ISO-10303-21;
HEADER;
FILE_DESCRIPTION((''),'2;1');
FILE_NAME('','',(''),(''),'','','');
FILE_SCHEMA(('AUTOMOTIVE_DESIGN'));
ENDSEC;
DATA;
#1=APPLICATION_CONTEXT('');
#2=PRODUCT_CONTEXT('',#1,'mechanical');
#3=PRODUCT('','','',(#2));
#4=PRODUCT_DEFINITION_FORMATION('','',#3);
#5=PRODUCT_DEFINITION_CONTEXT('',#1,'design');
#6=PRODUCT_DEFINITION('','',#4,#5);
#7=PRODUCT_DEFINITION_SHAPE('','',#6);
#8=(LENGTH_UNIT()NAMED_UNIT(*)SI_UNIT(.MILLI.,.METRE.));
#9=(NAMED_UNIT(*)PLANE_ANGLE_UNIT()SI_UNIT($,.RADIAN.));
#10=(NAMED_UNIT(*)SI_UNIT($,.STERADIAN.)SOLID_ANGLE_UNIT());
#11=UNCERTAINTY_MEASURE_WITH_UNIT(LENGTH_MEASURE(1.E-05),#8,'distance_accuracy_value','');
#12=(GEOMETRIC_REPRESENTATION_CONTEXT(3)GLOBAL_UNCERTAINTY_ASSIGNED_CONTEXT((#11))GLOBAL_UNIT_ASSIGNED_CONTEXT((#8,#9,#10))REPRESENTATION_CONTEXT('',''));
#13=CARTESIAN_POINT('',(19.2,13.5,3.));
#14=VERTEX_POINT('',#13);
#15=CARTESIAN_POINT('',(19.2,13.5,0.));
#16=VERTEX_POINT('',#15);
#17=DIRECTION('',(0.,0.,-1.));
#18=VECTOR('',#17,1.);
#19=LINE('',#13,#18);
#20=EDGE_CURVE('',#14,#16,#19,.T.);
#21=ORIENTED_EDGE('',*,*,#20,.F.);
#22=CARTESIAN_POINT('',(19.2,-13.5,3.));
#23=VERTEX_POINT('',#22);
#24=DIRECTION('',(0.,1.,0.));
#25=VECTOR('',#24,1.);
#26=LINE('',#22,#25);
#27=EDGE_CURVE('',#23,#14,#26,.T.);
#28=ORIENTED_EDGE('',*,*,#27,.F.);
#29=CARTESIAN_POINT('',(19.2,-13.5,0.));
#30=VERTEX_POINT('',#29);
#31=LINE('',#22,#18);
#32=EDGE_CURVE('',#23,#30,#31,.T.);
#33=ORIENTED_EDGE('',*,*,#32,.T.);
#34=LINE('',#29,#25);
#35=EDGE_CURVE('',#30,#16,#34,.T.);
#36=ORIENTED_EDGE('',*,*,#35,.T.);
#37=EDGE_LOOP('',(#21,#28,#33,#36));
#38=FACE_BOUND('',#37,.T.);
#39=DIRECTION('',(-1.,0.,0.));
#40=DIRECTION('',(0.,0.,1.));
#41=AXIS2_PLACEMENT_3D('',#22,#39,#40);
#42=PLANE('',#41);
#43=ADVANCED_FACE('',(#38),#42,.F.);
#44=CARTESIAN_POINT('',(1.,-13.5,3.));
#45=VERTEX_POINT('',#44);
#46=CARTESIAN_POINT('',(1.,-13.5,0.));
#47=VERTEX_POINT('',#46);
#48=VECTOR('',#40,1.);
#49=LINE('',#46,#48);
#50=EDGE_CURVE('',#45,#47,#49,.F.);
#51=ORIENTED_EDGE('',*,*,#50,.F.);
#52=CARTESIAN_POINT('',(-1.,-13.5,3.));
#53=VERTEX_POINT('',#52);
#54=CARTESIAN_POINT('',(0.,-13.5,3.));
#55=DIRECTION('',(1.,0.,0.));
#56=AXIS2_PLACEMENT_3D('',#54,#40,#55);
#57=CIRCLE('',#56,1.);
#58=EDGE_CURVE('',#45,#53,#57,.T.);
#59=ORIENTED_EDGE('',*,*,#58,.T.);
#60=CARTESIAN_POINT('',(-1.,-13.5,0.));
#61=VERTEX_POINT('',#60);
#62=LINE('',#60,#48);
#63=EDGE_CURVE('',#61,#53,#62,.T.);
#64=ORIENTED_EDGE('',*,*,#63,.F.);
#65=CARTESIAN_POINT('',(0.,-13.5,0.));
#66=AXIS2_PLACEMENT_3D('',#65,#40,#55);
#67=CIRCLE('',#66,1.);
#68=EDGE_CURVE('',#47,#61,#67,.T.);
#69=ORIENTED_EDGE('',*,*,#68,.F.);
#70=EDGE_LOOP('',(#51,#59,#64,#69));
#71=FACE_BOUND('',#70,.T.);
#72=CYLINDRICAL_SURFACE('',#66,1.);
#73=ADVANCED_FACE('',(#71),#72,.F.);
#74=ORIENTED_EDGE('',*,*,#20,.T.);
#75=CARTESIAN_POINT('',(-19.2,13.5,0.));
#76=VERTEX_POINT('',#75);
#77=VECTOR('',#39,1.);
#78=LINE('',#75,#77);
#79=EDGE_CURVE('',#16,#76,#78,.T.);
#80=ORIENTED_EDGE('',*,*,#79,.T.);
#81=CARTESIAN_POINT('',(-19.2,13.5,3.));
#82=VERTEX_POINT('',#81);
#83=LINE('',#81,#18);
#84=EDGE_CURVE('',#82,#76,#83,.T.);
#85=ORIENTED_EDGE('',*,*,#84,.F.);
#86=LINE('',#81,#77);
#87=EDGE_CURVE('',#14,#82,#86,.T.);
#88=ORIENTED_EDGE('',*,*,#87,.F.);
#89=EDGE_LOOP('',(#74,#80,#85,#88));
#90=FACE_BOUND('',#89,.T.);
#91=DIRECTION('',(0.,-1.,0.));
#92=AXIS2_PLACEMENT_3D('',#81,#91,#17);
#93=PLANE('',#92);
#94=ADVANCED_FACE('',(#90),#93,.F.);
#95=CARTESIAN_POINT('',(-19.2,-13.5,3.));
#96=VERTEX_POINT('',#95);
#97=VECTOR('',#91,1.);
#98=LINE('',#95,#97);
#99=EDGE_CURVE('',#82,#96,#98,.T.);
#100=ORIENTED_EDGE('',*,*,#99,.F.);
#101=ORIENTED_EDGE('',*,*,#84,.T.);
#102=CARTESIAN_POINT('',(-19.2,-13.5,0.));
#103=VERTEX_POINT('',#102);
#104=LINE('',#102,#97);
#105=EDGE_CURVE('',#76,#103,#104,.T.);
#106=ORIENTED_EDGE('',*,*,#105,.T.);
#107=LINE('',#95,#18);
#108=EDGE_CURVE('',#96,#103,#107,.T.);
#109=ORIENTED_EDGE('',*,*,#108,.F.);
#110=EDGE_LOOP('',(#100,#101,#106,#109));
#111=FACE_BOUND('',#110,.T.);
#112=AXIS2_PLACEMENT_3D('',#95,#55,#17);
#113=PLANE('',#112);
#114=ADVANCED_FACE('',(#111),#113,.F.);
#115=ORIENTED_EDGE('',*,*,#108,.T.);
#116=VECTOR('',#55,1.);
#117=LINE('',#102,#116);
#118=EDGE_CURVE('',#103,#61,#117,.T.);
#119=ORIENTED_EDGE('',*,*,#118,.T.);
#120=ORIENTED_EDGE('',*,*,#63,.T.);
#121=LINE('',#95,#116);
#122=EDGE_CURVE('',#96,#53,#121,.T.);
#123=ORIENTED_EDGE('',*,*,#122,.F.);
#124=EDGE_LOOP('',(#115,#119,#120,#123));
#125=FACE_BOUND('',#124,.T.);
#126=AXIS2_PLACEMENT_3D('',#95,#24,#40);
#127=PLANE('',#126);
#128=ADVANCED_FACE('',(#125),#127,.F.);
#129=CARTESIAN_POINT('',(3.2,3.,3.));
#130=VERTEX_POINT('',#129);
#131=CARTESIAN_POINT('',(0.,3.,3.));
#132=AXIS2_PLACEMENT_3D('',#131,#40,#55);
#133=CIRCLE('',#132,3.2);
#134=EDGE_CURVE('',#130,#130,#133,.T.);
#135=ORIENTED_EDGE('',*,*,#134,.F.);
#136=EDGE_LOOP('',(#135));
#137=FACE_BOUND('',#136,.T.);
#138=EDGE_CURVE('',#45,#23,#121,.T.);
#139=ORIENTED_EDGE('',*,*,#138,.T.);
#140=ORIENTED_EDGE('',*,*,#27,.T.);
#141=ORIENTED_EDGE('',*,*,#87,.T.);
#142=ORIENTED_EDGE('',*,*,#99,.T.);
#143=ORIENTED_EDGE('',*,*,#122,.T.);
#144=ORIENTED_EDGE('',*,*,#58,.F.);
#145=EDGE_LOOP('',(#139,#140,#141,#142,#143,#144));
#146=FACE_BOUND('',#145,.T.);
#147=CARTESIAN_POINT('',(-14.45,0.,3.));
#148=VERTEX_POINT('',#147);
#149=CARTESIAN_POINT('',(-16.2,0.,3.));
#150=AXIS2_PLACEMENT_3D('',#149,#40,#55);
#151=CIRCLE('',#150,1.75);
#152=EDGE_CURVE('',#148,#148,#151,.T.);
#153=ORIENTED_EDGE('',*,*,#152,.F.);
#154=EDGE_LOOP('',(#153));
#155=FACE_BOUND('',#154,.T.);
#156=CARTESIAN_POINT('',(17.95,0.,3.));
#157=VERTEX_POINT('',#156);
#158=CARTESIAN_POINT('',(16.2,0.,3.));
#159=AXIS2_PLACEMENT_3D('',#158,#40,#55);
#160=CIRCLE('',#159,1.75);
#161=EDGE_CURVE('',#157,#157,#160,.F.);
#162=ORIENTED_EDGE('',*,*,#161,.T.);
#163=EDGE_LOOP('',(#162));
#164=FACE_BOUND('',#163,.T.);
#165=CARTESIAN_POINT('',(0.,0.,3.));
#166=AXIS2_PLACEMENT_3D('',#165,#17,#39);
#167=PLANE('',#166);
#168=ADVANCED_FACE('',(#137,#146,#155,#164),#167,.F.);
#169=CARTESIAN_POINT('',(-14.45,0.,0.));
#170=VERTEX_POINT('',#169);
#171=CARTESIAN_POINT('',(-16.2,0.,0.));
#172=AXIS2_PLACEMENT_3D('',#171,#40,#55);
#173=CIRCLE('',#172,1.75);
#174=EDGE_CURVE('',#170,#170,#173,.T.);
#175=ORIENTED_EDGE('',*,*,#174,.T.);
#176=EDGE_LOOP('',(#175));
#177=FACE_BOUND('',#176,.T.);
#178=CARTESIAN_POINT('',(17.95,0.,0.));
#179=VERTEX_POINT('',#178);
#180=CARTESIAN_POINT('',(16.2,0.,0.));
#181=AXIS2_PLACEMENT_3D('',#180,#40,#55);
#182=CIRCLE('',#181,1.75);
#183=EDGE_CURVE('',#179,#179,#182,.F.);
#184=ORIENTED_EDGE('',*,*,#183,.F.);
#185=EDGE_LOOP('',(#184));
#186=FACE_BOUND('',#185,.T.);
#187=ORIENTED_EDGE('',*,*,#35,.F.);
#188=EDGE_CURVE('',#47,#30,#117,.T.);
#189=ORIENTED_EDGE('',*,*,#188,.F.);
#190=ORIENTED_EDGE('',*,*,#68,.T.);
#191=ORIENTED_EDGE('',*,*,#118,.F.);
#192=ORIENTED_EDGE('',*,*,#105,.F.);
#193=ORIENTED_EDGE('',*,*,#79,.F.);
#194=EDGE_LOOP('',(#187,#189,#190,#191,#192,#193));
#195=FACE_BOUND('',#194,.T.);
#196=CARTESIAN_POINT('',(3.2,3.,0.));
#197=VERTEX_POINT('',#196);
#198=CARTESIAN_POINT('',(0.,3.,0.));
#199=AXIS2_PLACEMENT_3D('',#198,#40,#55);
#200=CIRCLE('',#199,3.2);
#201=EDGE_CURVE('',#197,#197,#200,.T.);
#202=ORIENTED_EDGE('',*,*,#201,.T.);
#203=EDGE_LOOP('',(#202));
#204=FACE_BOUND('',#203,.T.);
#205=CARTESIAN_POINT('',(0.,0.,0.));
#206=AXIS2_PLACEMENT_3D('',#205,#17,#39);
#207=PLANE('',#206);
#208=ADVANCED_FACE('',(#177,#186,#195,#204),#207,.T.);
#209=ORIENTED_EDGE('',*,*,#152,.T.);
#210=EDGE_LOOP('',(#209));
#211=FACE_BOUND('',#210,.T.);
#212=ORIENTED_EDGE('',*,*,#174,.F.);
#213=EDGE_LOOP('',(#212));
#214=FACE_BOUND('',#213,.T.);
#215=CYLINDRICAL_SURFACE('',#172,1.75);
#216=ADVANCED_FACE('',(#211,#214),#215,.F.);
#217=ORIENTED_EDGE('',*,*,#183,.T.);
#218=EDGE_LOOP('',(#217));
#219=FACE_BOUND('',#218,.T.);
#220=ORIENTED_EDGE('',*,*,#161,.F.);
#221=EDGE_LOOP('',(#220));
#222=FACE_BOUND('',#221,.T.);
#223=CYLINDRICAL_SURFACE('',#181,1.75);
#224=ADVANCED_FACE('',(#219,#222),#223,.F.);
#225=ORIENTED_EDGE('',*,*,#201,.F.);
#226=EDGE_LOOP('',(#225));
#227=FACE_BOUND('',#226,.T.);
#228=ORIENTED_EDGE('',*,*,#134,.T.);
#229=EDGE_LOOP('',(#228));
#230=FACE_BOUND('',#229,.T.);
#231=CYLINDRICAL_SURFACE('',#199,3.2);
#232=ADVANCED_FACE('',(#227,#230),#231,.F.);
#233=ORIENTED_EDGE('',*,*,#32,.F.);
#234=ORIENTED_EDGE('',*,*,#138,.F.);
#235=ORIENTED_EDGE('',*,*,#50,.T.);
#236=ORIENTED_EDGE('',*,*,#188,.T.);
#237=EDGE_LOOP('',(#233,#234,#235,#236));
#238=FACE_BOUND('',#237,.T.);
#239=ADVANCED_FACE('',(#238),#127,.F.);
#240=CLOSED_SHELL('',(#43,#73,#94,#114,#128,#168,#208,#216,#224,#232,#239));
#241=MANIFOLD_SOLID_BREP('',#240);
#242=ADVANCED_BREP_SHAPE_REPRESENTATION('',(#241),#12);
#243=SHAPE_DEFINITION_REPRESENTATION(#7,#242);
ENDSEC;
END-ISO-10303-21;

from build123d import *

# Parameters (mm, degrees)
SKETCH_1_W          = 38.4
SKETCH_1_H          = 27
EXTRUDE_1_DEPTH     = 3
SKETCH_2_R          = 1.75
CUT_EXTRUDE_1_DEPTH = 4
SKETCH_3_R          = 3.2
CUT_EXTRUDE_2_DEPTH = 4
SKETCH_4_R          = 1
CUT_EXTRUDE_3_DEPTH = 4


with BuildPart() as part:
    # ｽｹｯﾁ1 → ﾎﾞｽ - 押し出し1 (new body)
    with BuildSketch(Plane.XY):
        Rectangle(SKETCH_1_W, SKETCH_1_H)
    extrude(amount=EXTRUDE_1_DEPTH)

    # ｽｹｯﾁ2 → ｶｯﾄ - 押し出し1 (cut, through all)
    with BuildSketch(Plane.XY.offset(3)):
        with Locations((16.2, 0)):
            Circle(SKETCH_2_R)
        with Locations((-16.2, 0)):
            Circle(SKETCH_2_R)
    extrude(amount=-CUT_EXTRUDE_1_DEPTH, mode=Mode.SUBTRACT)

    # ｽｹｯﾁ3 → ｶｯﾄ - 押し出し2 (cut, through all)
    with BuildSketch(Plane.XY.offset(3)):
        with Locations((0, 3)):
            Circle(SKETCH_3_R)
    extrude(amount=-CUT_EXTRUDE_2_DEPTH, mode=Mode.SUBTRACT)

    # ｽｹｯﾁ4 → ｶｯﾄ - 押し出し3 (cut, through all)
    with BuildSketch(Plane.XY.offset(3)):
        with Locations((0, -13.5)):
            Circle(SKETCH_4_R)
    extrude(amount=-CUT_EXTRUDE_3_DEPTH, mode=Mode.SUBTRACT)


solid = part.part
